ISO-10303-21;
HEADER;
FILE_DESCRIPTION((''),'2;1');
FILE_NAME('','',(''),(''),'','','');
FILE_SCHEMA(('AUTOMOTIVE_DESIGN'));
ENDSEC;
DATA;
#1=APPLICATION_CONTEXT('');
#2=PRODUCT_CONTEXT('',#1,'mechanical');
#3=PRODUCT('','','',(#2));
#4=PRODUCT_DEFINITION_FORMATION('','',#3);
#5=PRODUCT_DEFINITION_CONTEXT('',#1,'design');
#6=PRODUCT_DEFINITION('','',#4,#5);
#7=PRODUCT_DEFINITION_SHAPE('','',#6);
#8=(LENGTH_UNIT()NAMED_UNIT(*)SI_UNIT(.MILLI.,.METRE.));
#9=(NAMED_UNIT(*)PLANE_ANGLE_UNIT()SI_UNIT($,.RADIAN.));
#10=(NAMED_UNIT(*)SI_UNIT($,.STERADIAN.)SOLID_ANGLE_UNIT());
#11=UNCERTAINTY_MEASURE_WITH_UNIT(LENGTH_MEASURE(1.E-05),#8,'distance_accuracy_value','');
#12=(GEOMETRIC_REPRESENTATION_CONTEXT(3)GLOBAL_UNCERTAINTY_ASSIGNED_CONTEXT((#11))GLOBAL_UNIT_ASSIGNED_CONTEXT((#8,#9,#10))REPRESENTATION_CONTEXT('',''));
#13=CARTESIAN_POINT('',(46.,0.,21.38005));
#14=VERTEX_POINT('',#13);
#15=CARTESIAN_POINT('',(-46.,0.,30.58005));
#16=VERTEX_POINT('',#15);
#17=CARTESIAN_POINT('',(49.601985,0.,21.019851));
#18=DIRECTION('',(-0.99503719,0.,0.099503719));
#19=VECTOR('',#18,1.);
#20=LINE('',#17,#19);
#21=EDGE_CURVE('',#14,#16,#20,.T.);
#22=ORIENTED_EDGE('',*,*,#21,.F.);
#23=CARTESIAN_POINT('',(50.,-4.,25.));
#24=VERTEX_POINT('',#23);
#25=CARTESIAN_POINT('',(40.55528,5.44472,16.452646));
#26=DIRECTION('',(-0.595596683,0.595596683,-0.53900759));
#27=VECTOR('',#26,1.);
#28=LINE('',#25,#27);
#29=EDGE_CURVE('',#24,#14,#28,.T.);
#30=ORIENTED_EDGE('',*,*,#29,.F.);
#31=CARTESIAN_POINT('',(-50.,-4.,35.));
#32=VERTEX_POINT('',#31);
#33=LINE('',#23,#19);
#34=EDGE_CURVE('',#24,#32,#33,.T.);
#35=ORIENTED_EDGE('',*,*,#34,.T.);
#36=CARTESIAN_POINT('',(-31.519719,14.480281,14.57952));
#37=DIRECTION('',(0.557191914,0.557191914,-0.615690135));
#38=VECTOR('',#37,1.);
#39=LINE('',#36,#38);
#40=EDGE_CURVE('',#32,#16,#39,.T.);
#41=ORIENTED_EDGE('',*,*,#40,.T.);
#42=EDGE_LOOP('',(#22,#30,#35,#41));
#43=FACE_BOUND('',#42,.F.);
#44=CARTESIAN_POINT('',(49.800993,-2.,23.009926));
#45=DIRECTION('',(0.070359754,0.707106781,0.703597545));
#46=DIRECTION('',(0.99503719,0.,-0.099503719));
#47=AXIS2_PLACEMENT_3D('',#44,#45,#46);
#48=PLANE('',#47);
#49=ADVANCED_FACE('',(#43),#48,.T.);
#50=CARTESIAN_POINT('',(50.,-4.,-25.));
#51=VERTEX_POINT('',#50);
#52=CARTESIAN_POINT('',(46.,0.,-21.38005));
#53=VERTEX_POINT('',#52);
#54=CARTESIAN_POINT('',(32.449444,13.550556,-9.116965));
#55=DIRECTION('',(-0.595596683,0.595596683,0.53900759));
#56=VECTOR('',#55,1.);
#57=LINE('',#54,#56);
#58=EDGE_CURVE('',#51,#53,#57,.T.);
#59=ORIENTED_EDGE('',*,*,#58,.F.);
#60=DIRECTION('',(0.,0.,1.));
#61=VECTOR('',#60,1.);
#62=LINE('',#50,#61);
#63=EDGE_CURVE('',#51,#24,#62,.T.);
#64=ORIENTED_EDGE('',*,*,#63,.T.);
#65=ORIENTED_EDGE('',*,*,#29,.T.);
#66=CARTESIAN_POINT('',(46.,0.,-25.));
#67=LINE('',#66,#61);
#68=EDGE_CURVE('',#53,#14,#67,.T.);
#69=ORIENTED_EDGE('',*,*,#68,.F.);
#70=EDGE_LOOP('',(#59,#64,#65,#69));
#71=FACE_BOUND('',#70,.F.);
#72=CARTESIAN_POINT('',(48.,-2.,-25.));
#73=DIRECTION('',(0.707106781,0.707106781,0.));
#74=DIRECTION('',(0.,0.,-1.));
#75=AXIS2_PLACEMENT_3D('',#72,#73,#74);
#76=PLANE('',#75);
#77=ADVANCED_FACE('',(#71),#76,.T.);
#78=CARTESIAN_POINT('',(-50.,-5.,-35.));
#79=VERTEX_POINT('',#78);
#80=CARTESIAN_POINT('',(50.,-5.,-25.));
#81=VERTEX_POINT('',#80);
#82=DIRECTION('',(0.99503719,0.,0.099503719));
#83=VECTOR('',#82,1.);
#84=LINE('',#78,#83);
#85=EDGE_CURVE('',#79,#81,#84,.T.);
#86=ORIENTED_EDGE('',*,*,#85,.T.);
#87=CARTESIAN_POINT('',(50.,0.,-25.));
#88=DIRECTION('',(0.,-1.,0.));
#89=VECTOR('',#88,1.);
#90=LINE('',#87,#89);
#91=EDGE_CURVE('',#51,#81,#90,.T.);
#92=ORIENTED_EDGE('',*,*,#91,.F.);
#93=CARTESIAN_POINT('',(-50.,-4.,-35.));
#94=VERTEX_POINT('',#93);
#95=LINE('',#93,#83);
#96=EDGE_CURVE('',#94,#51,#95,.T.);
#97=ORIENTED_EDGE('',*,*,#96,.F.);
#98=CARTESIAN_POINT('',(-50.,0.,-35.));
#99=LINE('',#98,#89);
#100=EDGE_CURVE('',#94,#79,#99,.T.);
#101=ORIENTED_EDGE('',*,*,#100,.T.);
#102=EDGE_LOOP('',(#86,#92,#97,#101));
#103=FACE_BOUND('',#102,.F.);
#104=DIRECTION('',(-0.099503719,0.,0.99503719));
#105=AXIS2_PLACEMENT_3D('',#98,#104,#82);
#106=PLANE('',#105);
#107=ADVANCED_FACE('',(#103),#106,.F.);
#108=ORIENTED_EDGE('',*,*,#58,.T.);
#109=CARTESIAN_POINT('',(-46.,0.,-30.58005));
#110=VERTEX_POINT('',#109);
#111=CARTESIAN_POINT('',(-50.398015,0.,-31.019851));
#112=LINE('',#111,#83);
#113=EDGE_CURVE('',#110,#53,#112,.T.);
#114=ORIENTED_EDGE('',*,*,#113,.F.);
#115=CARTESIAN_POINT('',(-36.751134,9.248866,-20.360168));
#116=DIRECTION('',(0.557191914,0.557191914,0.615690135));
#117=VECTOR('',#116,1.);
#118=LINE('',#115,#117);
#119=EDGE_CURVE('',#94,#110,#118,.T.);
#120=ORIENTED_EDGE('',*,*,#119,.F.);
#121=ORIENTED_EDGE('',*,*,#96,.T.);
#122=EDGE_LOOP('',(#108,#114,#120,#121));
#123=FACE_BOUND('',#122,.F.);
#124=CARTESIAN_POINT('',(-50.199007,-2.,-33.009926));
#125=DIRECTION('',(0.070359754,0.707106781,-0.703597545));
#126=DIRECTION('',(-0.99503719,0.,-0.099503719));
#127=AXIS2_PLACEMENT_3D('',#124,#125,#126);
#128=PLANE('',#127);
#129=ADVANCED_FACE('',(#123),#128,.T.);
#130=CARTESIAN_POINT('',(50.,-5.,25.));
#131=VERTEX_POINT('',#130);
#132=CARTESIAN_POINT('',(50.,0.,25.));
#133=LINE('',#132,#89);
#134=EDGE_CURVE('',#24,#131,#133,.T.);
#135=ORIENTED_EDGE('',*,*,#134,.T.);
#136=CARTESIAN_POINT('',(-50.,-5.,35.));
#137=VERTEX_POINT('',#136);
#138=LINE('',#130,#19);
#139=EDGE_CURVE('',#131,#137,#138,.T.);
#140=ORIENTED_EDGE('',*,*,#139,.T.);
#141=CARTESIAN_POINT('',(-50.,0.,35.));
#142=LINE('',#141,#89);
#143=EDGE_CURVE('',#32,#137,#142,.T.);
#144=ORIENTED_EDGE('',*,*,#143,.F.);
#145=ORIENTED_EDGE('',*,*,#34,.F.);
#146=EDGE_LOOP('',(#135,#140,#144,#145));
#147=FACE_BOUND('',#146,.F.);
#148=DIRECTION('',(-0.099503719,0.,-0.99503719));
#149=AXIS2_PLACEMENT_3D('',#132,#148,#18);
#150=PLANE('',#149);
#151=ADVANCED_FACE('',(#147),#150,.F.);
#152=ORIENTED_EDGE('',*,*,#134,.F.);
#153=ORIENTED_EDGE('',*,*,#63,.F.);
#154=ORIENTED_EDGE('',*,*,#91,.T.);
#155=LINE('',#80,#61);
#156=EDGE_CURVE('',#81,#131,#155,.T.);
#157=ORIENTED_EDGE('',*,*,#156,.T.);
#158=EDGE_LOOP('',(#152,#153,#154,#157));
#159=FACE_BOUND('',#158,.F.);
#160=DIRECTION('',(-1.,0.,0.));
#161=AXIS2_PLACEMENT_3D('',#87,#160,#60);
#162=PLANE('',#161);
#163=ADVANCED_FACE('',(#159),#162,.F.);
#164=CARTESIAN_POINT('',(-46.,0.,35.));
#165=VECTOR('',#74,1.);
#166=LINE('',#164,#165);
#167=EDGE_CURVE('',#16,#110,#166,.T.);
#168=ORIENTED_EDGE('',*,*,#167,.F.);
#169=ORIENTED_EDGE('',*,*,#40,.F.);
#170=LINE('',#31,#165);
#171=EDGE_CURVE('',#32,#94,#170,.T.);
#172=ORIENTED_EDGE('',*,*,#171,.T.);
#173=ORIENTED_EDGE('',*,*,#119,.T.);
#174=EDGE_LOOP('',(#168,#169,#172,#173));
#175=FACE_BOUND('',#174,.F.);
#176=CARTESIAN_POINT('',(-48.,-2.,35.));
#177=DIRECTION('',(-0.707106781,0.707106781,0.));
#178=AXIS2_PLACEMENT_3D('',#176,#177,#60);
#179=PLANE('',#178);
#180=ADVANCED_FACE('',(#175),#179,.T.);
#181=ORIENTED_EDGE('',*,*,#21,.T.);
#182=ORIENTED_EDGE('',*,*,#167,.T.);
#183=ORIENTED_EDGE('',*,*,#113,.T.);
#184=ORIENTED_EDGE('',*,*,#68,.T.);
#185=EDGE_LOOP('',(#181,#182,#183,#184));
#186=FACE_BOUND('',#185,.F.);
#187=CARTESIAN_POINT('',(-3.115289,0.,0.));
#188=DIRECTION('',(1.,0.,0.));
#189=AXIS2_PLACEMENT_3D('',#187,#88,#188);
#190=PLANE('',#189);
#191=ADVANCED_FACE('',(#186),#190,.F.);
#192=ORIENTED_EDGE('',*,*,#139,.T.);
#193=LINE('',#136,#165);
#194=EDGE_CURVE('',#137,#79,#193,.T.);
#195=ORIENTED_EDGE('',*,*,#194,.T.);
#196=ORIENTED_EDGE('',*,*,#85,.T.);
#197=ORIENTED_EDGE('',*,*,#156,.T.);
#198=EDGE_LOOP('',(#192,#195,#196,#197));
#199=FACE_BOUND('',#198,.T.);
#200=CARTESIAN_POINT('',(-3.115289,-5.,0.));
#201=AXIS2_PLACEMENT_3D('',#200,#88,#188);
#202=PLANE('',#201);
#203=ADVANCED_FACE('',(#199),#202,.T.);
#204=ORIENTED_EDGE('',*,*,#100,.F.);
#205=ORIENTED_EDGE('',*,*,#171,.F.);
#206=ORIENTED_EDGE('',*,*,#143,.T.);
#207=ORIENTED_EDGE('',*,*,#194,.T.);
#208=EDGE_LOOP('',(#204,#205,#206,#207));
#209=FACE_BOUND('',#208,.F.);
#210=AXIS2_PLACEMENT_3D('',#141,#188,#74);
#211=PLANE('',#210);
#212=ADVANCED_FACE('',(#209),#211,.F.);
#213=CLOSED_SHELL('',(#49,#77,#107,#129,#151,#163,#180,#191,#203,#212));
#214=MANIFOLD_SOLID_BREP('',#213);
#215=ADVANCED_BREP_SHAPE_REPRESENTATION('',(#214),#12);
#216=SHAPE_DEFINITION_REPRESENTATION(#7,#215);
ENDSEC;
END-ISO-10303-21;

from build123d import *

# Parameters (mm, degrees)
PAD_DEPTH    = 5
CHAMFER_SIZE = 4


with BuildPart() as part:
    # Sketch → Pad (new body)
    with BuildSketch(Plane.XZ):
        Polygon((-50, -35), (50, -25), (50, 25), (-50, 35), align=None)
    extrude(amount=PAD_DEPTH)

    # Chamfer
    chamfer_edges = [part.edges().sort_by_distance(p)[0] for p in [
        (0, 0, 30),
        (50, 0, 0),
        (0, 0, -30),
        (-50, 0, 0),
    ]]
    chamfer(chamfer_edges, length=CHAMFER_SIZE)


solid = part.part
